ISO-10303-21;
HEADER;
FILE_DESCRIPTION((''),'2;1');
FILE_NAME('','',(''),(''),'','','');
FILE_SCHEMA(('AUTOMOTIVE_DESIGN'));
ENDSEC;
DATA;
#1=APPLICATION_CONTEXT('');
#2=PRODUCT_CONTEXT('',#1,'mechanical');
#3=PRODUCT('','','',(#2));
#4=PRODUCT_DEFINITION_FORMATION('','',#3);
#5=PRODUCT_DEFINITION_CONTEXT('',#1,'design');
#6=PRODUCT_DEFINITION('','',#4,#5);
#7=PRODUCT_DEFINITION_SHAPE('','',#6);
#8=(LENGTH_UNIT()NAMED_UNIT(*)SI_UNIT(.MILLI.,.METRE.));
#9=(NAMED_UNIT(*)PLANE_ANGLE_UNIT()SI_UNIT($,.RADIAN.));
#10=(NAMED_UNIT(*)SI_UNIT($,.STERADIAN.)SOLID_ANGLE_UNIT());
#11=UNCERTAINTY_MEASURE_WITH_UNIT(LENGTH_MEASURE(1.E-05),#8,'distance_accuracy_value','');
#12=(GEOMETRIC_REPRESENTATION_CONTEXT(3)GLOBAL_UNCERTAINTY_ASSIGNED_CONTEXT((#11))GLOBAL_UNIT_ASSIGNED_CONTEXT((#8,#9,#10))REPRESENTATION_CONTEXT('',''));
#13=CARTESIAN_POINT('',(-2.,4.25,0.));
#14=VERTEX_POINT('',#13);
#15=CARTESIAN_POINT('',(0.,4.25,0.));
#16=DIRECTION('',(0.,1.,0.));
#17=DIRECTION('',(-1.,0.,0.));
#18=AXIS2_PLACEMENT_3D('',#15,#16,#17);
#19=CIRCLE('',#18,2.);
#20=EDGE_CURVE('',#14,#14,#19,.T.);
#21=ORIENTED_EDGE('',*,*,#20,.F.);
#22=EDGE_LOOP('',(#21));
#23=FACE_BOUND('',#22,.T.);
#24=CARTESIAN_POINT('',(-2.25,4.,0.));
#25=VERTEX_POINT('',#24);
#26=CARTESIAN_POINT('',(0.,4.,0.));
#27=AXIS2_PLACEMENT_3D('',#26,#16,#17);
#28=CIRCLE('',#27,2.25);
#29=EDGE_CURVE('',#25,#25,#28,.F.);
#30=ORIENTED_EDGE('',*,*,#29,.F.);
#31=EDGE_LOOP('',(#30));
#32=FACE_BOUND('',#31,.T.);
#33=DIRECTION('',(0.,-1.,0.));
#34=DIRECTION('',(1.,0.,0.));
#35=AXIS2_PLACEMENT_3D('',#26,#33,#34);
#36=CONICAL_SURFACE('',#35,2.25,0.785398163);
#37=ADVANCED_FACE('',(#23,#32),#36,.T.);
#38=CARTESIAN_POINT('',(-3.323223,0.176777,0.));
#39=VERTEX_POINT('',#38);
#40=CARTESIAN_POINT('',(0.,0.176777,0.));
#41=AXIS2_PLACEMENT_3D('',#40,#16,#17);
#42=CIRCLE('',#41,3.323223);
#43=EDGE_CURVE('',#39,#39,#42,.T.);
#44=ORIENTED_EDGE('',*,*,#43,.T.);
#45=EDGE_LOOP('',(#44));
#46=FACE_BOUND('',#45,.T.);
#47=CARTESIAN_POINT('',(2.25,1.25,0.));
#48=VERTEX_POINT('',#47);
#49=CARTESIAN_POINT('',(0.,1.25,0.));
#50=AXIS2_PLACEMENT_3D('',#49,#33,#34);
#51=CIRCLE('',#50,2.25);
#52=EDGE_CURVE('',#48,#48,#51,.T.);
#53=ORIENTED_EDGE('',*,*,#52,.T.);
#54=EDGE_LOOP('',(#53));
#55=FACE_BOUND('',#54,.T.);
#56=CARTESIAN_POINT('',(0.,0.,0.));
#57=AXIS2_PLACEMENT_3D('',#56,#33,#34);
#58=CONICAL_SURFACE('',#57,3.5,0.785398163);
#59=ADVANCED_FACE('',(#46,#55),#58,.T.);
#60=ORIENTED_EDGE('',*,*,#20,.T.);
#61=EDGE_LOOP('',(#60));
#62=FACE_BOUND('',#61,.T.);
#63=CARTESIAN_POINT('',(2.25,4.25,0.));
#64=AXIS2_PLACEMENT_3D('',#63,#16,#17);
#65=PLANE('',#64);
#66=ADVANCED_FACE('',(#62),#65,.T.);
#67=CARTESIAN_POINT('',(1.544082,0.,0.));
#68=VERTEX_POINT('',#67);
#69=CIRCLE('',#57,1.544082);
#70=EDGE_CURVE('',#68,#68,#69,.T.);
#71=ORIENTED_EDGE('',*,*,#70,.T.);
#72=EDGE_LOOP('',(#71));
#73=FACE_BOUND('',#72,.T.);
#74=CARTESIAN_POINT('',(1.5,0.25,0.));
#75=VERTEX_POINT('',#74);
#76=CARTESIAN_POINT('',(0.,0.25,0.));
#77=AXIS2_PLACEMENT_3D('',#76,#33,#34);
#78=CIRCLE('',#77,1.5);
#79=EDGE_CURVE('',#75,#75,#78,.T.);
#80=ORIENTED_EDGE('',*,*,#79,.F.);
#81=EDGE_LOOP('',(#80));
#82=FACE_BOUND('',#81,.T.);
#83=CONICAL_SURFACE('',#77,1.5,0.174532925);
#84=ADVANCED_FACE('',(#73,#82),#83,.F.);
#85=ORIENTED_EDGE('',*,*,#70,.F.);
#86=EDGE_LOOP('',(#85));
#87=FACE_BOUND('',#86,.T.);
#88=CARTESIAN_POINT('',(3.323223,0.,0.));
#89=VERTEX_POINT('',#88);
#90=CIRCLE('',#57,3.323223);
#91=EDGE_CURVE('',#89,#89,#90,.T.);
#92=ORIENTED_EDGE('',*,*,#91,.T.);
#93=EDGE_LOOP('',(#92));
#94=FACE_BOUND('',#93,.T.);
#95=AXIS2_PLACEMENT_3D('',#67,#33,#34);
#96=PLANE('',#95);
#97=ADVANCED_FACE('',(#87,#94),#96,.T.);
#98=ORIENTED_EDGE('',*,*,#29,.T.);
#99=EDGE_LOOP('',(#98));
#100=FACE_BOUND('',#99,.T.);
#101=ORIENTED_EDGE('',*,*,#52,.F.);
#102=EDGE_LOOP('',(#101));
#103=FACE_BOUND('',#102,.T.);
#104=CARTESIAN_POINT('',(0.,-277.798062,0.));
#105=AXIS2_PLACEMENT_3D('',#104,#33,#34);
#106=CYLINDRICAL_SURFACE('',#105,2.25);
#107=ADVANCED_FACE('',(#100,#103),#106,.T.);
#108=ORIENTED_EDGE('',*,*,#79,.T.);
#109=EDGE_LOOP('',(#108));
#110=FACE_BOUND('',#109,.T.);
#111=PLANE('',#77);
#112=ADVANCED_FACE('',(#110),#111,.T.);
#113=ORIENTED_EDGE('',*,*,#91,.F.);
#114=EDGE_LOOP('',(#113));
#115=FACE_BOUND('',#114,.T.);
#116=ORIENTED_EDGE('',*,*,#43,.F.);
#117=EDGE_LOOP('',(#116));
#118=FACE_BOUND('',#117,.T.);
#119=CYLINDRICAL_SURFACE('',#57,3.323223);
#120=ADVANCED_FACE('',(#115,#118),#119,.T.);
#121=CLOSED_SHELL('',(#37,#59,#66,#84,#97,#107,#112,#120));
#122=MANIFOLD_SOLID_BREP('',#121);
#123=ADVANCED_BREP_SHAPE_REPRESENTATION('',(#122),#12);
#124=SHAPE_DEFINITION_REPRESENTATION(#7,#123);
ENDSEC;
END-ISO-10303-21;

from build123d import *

# Parameters (mm, degrees)
CHAMFER1_SIZE  = 0.25
CHAMFER2_SIZE  = 0.25
CHAMFER2_SIZE2 = 0.176776695


with BuildPart() as part:
    # Sketch1 → Revolve1 (revolve)
    with BuildSketch(Plane.XY):
        Polygon((0, 0.25), (1.5, 0.25), (1.544081745, 0), (3.5, 0), (2.25, 1.25), (2.25, 4.25), (0, 4.25), align=None)
    revolve(axis=Axis((0, -277.798061763, 0), (0, 1, 0)))

    # Chamfer1
    chamfer1_edges = [part.edges().sort_by_distance(p)[0] for p in [
        (-2.25, 4.25, 0),
    ]]
    chamfer(chamfer1_edges, length=CHAMFER1_SIZE)

    # Chamfer2
    chamfer2_edges = [part.edges().sort_by_distance(p)[0] for p in [
        (-3.5, 0, 0),
    ]]
    chamfer2_side = [part.faces().sort_by_distance(p)[0] for p in [
        (-2.875, 0.625, 0),
    ]]
    chamfer(chamfer2_edges, length=CHAMFER2_SIZE, length2=CHAMFER2_SIZE2, reference=chamfer2_side[0])


solid = part.part
